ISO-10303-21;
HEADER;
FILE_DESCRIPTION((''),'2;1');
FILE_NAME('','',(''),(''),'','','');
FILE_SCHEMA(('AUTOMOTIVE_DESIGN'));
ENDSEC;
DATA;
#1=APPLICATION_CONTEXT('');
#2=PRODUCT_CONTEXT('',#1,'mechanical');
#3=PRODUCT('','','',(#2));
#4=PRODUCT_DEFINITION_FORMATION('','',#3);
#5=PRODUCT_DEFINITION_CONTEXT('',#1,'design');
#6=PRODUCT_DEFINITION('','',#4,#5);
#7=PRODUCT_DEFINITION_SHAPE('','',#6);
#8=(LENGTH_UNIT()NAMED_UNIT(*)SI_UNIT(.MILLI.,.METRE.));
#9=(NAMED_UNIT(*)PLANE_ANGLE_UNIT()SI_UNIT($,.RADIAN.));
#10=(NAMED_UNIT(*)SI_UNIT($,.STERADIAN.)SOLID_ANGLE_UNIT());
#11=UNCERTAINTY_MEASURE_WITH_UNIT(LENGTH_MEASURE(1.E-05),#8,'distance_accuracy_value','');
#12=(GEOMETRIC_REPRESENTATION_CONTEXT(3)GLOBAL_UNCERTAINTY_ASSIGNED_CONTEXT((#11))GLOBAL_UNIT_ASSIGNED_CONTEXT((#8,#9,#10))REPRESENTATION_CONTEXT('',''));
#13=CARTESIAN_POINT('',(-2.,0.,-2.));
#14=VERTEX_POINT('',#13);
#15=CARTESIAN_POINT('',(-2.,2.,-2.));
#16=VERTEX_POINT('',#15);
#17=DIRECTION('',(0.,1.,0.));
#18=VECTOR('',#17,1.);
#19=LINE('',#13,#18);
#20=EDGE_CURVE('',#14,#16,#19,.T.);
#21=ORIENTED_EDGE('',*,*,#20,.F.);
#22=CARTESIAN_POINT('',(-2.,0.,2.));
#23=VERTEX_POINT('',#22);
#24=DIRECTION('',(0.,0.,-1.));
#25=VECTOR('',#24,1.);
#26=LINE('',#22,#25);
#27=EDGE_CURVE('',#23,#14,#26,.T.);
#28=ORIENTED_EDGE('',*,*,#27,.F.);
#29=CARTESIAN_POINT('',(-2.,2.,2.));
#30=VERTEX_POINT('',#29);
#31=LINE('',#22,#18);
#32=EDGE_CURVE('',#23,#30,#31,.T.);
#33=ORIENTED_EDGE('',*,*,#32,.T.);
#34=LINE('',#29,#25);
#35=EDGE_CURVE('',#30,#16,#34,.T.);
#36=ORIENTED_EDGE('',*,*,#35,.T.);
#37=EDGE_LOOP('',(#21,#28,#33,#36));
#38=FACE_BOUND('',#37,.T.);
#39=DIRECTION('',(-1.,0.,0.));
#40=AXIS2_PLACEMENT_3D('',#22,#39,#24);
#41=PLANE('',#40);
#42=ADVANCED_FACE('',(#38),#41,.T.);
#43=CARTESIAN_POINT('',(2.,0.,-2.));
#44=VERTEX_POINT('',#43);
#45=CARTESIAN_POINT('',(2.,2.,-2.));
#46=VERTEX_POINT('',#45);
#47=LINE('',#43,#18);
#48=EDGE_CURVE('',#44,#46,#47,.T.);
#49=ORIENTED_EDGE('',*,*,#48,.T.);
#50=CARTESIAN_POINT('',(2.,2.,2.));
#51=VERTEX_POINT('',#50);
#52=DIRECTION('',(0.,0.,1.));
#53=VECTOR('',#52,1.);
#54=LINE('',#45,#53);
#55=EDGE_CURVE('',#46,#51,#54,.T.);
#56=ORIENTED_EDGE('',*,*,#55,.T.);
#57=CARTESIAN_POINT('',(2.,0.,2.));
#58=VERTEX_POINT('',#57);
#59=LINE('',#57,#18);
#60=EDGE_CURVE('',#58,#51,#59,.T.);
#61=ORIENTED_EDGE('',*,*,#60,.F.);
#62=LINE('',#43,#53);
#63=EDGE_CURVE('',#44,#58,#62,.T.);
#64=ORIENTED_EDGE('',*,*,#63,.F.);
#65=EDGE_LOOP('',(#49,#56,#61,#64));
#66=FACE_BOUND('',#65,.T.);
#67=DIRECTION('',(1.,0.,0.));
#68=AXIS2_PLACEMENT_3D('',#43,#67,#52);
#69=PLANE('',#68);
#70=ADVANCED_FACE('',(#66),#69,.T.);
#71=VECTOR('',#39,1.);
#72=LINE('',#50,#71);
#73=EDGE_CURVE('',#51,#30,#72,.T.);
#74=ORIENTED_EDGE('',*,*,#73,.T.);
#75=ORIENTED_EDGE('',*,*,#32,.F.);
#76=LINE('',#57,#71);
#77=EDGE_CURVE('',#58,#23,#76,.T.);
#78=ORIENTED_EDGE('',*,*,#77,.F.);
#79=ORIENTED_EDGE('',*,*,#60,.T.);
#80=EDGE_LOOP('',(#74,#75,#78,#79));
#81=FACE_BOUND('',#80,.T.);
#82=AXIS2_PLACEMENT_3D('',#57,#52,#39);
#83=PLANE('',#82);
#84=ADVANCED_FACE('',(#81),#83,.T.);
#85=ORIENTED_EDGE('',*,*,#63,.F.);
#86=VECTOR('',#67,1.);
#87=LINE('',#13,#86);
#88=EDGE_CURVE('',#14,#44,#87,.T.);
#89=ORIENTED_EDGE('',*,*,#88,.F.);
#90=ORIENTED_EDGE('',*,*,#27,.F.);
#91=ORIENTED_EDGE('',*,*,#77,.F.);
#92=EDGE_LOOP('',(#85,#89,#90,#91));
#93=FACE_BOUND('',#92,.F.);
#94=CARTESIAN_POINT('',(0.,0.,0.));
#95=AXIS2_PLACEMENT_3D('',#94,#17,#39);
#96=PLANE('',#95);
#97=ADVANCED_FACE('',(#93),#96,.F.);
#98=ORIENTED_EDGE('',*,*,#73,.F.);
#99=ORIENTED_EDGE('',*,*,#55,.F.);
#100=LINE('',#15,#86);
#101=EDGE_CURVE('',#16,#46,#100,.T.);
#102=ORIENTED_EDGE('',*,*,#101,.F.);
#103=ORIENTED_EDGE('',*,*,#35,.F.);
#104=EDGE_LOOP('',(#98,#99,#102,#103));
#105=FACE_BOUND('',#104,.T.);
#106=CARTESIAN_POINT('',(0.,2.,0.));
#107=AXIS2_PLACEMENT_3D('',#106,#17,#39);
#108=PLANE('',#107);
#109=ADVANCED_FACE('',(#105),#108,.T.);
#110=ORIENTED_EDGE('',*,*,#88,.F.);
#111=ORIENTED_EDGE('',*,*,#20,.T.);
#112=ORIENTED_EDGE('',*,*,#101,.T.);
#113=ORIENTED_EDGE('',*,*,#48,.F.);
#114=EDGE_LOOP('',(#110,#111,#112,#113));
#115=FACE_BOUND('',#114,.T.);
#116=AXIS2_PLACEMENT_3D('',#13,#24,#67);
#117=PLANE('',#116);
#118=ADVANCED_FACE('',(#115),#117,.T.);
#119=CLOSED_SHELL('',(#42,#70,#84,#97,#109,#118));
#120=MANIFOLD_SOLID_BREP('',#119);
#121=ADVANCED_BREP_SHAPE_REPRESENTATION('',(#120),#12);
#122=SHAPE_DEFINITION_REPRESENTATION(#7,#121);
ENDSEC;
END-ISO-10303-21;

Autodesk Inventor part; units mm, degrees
ref_plane "YZ Plane" through (0, 0, 0) normal (1, 0, 0) x (0, 1, 0)
ref_plane "XZ Plane" through (0, 0, 0) normal (0, 1, 0) x (-1, 0, 0)
ref_plane "XY Plane" through (0, 0, 0) normal (0, 0, 1) x (1, 0, 0)
sketch "Sketch1" plane through (0, 0, 0) normal (0, 1, 0) x (-1, 0, 0)
  point P0 (0, 0)
sketch "Sketch2" plane through (0, 0, 0) normal (0, 1, 0) x (-1, 0, 0)
  line L0 (2, -2) -> (-2, -2)
  line L1 (-2, -2) -> (-2, 2)
  line L2 (-2, 2) -> (2, 2)
  line L3 (2, 2) -> (2, -2)
  line L4 (2, -2) -> (-2, 2) construction
  line L5 (-2, -2) -> (2, 2) construction
  point P0 (0, 0)
  dimension "d0" = 4
  dimension "d1" = 4
extrude "Extrusion1" add sketch "Sketch2" along normal blind 2
properties part number "LED"
